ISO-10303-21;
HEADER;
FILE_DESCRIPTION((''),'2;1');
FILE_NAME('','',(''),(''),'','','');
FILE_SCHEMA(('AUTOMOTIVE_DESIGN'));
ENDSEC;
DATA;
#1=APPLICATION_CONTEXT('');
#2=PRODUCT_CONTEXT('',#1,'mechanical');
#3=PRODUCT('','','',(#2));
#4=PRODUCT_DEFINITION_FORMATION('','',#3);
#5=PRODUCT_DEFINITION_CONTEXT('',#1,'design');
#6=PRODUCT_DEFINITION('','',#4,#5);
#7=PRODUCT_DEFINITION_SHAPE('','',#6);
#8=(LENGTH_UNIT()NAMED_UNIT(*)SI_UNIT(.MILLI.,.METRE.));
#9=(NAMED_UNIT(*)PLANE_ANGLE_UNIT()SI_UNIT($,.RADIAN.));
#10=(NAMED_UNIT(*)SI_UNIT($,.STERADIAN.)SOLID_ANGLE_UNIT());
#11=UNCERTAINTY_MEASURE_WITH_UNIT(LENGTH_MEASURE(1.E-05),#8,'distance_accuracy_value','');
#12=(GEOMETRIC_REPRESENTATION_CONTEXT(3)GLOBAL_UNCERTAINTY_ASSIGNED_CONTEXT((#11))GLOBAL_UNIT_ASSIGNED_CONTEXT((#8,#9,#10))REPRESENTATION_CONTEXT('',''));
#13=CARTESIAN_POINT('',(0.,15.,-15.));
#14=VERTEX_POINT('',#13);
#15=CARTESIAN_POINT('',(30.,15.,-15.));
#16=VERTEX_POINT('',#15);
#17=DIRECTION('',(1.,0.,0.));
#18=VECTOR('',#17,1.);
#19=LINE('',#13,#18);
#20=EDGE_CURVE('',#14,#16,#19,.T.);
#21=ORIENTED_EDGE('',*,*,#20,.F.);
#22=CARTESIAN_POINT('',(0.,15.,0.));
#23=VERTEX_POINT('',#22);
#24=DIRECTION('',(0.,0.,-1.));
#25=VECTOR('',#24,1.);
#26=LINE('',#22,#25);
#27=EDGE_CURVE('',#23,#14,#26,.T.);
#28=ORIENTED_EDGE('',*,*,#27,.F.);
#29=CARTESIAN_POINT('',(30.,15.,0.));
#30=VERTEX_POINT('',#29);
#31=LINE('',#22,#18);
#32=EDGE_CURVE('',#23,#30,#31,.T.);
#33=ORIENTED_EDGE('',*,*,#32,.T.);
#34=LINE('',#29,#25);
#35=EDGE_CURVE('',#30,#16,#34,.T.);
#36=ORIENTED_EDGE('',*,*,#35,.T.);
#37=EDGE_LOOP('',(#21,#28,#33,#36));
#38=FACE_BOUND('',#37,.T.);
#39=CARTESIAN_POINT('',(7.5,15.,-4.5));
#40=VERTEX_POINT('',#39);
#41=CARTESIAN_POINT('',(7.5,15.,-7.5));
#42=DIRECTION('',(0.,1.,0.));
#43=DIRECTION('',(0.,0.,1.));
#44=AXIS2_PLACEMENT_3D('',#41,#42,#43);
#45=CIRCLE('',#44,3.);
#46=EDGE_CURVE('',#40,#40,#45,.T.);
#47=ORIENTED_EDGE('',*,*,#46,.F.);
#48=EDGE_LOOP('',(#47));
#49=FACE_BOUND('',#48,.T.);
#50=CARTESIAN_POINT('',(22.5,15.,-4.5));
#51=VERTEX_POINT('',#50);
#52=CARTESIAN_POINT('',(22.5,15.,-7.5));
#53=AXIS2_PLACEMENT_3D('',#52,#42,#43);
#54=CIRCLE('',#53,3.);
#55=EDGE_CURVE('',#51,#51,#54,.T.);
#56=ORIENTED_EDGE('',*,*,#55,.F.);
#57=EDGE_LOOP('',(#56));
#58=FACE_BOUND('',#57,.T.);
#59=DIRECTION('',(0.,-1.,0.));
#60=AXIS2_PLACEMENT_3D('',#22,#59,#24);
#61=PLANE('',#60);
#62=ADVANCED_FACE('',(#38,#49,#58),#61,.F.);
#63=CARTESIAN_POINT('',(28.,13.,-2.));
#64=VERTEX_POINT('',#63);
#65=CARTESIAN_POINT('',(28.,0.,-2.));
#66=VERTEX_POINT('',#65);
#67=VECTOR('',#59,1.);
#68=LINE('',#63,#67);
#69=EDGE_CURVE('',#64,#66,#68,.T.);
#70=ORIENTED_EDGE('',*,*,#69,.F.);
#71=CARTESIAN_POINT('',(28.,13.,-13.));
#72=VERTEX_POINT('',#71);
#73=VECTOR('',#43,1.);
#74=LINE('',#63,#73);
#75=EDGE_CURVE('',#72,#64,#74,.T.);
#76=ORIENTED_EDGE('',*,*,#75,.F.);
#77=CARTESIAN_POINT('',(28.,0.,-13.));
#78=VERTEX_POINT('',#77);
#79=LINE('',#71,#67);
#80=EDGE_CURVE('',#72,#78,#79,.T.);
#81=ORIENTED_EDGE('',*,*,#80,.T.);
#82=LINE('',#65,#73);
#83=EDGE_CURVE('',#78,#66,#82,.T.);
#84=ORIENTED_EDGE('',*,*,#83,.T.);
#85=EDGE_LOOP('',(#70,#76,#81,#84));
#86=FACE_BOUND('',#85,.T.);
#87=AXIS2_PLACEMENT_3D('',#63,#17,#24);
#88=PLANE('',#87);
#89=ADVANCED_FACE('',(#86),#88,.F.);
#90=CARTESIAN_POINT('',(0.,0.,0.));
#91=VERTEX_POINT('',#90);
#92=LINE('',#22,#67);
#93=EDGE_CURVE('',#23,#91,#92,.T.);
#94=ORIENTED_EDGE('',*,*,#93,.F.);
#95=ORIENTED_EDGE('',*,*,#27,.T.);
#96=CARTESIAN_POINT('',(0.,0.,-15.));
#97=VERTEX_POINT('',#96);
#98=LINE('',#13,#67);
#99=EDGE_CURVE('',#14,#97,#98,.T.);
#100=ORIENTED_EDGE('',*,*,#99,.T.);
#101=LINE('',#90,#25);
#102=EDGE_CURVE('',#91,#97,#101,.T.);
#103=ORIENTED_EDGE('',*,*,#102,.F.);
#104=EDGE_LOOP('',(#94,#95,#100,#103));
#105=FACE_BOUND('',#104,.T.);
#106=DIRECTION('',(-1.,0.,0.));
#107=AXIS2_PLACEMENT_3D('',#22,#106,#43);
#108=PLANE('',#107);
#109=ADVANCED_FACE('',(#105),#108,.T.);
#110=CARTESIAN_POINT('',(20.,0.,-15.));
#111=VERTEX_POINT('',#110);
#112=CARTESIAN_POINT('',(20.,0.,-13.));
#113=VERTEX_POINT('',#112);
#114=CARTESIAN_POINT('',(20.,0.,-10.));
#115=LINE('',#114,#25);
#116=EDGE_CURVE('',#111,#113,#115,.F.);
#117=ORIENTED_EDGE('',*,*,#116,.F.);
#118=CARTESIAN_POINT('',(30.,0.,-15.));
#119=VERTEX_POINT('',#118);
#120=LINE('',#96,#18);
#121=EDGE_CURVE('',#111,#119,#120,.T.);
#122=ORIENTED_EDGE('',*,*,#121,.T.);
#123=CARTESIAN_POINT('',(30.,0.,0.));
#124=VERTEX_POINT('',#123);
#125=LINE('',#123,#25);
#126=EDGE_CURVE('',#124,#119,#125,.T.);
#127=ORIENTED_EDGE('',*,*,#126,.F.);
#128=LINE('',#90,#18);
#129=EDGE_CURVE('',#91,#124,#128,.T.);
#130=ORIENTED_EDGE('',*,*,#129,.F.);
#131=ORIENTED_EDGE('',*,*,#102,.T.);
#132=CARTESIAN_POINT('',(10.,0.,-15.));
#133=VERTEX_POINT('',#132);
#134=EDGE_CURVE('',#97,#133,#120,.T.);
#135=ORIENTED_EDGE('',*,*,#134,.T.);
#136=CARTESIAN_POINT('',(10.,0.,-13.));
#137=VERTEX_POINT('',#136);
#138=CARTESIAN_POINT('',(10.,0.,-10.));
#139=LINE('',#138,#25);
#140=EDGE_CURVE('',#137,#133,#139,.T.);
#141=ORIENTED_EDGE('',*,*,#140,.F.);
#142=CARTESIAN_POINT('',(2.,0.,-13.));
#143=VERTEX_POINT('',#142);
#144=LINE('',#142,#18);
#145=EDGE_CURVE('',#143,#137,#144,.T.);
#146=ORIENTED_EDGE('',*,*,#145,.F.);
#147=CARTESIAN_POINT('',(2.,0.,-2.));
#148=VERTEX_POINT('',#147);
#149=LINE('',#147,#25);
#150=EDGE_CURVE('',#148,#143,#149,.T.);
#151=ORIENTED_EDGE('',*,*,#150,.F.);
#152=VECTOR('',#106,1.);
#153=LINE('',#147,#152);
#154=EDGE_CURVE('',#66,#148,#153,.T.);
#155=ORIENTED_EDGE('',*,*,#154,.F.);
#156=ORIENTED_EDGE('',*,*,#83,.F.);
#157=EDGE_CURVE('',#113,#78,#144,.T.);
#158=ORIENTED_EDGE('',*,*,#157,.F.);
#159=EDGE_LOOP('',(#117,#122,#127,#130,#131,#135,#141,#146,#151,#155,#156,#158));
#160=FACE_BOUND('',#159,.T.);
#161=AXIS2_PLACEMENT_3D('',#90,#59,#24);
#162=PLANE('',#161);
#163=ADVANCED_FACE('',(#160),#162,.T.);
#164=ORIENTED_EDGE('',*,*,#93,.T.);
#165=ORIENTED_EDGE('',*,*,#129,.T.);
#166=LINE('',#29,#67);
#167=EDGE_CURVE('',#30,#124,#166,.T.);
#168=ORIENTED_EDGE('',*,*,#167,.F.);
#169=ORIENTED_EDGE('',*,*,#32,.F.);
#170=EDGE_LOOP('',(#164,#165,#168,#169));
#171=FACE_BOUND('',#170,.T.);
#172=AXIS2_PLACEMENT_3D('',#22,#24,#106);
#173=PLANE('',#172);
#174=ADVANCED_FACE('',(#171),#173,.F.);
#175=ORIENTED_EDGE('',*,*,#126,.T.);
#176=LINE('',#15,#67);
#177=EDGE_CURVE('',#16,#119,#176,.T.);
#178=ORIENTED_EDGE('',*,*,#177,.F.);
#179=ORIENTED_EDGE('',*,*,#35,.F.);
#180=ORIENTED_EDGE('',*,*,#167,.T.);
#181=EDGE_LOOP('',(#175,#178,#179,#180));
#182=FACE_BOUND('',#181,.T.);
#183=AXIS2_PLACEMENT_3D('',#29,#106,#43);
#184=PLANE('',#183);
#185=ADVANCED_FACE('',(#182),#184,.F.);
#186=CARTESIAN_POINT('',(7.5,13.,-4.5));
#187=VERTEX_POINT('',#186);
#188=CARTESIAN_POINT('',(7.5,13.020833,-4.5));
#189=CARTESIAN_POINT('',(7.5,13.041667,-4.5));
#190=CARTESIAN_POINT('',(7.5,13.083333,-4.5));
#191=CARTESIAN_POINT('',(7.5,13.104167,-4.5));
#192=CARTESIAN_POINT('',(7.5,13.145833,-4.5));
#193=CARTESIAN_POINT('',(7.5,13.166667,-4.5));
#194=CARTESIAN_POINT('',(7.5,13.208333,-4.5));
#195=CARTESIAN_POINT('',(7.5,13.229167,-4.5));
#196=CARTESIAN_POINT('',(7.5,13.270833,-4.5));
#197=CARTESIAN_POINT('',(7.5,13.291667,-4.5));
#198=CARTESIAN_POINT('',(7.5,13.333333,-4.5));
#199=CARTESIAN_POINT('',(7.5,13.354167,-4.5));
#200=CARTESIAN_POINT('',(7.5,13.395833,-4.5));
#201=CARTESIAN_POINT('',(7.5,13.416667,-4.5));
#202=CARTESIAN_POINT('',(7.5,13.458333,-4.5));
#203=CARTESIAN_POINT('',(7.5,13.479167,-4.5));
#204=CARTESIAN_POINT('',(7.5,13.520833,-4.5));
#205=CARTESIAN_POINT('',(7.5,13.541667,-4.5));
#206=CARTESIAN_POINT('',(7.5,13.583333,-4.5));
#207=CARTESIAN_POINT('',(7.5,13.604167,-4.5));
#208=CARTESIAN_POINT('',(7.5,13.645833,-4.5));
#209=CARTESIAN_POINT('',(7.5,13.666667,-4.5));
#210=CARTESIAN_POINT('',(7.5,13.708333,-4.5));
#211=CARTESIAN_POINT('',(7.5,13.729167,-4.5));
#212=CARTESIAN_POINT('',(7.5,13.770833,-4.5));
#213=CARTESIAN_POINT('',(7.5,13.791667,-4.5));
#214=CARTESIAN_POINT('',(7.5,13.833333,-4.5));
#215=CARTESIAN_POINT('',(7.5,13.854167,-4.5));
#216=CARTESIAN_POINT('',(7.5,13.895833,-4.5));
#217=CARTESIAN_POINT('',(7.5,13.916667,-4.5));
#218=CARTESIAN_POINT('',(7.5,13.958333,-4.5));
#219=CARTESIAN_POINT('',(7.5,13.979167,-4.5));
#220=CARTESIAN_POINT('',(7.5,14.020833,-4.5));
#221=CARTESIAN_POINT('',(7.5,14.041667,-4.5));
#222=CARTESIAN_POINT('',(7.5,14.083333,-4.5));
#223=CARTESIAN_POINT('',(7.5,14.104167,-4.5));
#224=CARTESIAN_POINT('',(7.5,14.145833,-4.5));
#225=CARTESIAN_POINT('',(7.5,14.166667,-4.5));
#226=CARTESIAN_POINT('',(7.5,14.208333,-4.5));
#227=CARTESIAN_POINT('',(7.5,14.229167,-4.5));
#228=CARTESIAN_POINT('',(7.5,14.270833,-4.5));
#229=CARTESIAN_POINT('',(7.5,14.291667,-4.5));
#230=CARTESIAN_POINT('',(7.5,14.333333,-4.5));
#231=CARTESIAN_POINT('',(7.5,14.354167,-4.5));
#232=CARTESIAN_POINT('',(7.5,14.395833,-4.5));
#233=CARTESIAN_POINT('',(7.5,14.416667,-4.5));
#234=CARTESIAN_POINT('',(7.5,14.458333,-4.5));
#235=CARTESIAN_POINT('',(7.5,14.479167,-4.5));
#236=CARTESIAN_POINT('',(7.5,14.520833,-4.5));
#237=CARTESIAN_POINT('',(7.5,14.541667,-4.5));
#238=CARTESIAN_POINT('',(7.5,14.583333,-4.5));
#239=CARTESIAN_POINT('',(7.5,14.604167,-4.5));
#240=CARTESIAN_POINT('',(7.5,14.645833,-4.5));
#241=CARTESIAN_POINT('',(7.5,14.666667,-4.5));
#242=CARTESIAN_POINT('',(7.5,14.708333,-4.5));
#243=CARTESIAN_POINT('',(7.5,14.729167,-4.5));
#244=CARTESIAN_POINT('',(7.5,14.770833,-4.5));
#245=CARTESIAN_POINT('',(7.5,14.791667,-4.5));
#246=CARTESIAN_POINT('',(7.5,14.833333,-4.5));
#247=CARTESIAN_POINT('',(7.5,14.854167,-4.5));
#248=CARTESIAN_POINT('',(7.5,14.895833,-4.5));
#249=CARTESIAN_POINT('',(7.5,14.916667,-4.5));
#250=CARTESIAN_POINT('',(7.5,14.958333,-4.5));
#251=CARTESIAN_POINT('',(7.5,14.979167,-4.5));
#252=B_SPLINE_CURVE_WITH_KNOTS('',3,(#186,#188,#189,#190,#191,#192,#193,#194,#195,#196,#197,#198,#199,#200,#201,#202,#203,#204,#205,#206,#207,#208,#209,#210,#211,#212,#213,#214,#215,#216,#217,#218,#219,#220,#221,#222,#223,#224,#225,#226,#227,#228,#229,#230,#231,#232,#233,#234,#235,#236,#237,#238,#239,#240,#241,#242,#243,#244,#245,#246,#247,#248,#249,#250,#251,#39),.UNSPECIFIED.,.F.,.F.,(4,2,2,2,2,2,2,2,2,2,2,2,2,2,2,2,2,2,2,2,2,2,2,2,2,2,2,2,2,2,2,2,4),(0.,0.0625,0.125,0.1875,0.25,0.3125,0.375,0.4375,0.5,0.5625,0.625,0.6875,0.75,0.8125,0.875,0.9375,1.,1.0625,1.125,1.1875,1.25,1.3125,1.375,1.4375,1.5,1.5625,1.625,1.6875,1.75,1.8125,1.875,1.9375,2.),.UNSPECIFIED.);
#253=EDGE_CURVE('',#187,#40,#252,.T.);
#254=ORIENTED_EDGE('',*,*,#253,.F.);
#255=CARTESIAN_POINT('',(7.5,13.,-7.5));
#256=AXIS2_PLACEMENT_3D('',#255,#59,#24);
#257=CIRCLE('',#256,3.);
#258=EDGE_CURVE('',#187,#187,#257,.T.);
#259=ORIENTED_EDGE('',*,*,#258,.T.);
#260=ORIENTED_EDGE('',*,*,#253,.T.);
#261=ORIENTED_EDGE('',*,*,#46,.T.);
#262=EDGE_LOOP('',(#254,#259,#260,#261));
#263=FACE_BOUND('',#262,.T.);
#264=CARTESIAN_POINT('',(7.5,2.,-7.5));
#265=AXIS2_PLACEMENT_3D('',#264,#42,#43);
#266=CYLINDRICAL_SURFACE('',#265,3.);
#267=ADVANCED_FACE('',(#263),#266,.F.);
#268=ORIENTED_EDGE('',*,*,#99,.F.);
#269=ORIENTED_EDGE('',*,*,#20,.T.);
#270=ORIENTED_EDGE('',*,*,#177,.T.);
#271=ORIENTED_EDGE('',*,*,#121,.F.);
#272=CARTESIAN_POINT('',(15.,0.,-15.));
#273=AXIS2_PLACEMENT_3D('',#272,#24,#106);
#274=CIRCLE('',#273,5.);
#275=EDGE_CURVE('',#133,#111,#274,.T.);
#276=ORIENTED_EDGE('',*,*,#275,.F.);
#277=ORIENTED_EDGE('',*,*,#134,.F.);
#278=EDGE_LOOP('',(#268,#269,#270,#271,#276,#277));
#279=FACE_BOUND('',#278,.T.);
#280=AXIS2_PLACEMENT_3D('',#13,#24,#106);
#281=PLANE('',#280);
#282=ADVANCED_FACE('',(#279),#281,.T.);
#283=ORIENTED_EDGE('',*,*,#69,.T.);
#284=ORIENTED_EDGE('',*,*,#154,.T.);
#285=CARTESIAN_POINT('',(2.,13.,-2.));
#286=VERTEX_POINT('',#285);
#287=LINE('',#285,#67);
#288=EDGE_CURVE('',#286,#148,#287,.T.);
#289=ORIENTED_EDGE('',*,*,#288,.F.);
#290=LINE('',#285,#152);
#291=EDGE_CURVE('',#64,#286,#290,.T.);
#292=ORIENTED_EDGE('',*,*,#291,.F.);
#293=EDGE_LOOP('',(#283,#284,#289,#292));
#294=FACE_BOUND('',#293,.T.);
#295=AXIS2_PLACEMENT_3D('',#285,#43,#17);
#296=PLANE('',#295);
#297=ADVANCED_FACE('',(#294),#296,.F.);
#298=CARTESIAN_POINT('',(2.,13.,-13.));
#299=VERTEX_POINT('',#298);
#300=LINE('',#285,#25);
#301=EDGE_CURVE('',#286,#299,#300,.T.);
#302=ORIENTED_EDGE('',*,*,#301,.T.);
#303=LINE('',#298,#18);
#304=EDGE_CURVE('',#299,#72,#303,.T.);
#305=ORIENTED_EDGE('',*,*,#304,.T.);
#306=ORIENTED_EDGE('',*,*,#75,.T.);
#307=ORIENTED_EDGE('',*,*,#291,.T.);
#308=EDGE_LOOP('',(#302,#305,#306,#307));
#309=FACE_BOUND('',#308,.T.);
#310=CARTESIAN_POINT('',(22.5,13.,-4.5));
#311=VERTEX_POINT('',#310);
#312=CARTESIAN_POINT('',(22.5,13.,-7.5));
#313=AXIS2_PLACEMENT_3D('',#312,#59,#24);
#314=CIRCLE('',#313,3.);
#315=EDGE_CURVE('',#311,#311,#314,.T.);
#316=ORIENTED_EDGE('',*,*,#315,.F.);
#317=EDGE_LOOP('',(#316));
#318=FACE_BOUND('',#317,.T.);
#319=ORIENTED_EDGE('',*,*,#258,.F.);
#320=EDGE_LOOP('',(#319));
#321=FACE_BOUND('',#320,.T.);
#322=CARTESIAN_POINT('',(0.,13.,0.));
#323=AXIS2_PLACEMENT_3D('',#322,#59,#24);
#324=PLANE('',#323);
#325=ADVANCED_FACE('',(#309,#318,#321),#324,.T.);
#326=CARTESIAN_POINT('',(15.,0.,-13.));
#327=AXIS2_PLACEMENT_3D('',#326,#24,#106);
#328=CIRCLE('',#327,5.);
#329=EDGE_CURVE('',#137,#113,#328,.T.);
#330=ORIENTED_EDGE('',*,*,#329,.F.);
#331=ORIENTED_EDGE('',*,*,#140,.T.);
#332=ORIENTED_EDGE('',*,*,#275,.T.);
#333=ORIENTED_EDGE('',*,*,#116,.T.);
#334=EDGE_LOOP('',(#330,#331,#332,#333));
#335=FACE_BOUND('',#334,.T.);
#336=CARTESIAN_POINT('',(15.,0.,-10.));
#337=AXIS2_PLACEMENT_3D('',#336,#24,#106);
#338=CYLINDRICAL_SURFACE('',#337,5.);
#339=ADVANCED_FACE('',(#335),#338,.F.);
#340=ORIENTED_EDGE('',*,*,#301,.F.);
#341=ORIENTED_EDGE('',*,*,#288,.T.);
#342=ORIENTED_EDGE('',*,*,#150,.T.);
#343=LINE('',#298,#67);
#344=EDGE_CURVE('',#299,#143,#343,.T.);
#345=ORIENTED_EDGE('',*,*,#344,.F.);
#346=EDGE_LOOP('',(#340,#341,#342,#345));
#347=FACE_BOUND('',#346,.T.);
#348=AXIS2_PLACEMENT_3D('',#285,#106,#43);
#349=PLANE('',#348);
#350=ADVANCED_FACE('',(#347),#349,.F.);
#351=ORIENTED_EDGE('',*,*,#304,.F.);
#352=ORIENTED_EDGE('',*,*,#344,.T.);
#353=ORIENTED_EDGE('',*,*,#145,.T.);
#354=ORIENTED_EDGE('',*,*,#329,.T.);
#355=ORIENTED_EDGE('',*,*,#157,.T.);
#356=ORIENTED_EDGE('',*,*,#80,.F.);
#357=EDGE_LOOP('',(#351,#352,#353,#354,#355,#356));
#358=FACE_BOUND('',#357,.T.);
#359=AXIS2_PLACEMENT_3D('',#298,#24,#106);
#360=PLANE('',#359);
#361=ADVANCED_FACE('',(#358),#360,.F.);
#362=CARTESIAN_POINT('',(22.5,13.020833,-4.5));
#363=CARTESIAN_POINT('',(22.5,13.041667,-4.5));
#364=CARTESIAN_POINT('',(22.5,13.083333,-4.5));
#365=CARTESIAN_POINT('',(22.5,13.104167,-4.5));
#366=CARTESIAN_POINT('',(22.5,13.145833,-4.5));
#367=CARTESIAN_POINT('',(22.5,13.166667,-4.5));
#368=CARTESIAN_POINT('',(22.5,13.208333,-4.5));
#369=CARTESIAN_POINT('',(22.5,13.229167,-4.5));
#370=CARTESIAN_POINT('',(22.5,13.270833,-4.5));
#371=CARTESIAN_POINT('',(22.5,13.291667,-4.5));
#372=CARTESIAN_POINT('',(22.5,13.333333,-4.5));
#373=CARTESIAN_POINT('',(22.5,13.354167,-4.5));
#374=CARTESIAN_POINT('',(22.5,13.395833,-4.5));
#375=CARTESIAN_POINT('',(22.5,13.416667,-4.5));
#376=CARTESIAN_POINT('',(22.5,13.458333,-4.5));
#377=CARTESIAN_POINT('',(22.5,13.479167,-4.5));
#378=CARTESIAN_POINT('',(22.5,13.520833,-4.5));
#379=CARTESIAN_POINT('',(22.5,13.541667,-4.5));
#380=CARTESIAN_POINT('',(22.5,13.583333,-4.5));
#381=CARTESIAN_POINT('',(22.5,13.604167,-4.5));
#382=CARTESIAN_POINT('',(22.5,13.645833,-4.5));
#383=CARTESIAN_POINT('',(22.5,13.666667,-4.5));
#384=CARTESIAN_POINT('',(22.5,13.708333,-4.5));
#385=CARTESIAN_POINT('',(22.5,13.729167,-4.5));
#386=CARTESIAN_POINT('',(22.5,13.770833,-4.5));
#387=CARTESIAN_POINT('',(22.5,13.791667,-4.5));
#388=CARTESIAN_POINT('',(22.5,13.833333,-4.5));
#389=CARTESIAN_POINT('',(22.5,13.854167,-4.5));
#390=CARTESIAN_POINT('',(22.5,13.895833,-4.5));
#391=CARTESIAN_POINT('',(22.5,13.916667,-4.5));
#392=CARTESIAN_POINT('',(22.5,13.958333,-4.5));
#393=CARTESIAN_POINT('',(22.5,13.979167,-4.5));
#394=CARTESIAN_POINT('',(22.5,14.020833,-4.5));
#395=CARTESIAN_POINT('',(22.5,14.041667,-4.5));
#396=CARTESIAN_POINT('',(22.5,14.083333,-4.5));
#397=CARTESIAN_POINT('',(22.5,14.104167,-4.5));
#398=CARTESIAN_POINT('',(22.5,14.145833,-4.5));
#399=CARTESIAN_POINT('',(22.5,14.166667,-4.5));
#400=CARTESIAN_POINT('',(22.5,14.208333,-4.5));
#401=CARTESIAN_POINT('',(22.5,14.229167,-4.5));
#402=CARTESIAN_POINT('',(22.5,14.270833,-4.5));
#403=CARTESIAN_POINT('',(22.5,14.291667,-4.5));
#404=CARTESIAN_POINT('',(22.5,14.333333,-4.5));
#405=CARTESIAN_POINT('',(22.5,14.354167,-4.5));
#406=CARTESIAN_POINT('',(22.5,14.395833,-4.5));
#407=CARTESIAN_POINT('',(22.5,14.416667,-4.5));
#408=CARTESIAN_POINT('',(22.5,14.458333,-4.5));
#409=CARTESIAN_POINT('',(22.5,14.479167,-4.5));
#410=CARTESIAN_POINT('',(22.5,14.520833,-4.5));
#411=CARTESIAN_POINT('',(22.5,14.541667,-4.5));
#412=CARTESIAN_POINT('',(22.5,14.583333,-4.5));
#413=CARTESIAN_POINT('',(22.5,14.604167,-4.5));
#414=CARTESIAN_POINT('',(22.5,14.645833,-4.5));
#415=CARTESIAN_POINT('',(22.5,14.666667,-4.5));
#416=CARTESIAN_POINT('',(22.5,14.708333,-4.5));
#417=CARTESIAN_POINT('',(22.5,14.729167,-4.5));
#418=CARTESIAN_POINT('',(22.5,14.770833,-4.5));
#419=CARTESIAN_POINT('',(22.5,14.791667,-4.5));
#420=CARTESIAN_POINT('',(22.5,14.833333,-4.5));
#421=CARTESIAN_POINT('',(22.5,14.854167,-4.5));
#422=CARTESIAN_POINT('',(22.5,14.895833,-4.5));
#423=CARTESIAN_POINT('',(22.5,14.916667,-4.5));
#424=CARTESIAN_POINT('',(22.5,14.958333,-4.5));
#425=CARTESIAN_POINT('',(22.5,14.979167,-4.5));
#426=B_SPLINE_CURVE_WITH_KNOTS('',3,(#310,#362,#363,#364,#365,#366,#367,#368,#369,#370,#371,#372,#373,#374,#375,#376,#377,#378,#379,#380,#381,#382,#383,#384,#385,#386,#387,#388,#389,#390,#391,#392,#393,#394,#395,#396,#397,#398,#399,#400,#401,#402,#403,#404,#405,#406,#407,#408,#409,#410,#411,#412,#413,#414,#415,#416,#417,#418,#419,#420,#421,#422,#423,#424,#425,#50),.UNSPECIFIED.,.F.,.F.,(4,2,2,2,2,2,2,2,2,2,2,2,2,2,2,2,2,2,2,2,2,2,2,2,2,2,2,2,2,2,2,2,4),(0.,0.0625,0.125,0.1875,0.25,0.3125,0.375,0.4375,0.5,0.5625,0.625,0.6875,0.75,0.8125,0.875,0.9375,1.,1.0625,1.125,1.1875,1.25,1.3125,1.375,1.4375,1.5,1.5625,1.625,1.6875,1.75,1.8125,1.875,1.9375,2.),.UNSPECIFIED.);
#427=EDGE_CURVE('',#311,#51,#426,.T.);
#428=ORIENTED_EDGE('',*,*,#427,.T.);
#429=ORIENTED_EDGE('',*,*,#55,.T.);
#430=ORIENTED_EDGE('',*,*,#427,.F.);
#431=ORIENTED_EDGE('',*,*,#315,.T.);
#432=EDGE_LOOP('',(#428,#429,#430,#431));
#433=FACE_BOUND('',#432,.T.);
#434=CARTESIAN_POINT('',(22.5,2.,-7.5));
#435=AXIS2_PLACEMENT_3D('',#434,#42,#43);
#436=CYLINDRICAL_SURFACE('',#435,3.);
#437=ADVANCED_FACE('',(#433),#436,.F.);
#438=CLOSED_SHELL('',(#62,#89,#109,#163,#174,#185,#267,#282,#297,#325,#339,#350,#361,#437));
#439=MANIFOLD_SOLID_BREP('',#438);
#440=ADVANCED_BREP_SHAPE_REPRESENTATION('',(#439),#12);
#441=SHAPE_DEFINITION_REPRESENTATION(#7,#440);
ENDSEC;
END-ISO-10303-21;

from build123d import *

# Parameters (mm, degrees)
SKETCH1_W           = 30
SKETCH1_H           = 15
BOSS_EXTRUDE1_DEPTH = 15
SKETCH2_W           = 26
SKETCH2_H           = 11
CUT_EXTRUDE1_DEPTH  = 13
SKETCH3_R           = 3
CUT_EXTRUDE2_DEPTH  = 13
SKETCH4_R           = 5
CUT_EXTRUDE3_DEPTH  = 5


with BuildPart() as part:
    # Sketch1 → Boss-Extrude1 (new body)
    with BuildSketch(Plane(origin=(0, 0, 0), x_dir=(1, 0, 0), z_dir=(0, 1, 0))):
        with Locations((15, 7.5)):
            Rectangle(SKETCH1_W, SKETCH1_H)
    extrude(amount=BOSS_EXTRUDE1_DEPTH)

    # Sketch2 → Cut-Extrude1 (cut)
    with BuildSketch(Plane.XZ):
        with Locations((15, -7.5)):
            Rectangle(SKETCH2_W, SKETCH2_H)
    extrude(amount=-CUT_EXTRUDE1_DEPTH, mode=Mode.SUBTRACT)

    # Sketch3 → Cut-Extrude2 (cut)
    with BuildSketch(Plane(origin=(0, 15, 0), x_dir=(1, 0, 0), z_dir=(0, 1, 0))):
        with Locations(Location((7.5, 7.5, 0), (0, 0, 270))):
            Circle(SKETCH3_R)
        with Locations(Location((22.5, 7.5, 0), (0, 0, 270))):
            Circle(SKETCH3_R)
    extrude(amount=-CUT_EXTRUDE2_DEPTH, mode=Mode.SUBTRACT)

    # Sketch4 → Cut-Extrude3 (cut)
    with BuildSketch(Plane(origin=(0, 0, -15), x_dir=(-1, 0, 0), z_dir=(0, 0, -1))):
        with Locations((-15, 0)):
            Circle(SKETCH4_R)
    extrude(amount=-CUT_EXTRUDE3_DEPTH, mode=Mode.SUBTRACT)


solid = part.part
